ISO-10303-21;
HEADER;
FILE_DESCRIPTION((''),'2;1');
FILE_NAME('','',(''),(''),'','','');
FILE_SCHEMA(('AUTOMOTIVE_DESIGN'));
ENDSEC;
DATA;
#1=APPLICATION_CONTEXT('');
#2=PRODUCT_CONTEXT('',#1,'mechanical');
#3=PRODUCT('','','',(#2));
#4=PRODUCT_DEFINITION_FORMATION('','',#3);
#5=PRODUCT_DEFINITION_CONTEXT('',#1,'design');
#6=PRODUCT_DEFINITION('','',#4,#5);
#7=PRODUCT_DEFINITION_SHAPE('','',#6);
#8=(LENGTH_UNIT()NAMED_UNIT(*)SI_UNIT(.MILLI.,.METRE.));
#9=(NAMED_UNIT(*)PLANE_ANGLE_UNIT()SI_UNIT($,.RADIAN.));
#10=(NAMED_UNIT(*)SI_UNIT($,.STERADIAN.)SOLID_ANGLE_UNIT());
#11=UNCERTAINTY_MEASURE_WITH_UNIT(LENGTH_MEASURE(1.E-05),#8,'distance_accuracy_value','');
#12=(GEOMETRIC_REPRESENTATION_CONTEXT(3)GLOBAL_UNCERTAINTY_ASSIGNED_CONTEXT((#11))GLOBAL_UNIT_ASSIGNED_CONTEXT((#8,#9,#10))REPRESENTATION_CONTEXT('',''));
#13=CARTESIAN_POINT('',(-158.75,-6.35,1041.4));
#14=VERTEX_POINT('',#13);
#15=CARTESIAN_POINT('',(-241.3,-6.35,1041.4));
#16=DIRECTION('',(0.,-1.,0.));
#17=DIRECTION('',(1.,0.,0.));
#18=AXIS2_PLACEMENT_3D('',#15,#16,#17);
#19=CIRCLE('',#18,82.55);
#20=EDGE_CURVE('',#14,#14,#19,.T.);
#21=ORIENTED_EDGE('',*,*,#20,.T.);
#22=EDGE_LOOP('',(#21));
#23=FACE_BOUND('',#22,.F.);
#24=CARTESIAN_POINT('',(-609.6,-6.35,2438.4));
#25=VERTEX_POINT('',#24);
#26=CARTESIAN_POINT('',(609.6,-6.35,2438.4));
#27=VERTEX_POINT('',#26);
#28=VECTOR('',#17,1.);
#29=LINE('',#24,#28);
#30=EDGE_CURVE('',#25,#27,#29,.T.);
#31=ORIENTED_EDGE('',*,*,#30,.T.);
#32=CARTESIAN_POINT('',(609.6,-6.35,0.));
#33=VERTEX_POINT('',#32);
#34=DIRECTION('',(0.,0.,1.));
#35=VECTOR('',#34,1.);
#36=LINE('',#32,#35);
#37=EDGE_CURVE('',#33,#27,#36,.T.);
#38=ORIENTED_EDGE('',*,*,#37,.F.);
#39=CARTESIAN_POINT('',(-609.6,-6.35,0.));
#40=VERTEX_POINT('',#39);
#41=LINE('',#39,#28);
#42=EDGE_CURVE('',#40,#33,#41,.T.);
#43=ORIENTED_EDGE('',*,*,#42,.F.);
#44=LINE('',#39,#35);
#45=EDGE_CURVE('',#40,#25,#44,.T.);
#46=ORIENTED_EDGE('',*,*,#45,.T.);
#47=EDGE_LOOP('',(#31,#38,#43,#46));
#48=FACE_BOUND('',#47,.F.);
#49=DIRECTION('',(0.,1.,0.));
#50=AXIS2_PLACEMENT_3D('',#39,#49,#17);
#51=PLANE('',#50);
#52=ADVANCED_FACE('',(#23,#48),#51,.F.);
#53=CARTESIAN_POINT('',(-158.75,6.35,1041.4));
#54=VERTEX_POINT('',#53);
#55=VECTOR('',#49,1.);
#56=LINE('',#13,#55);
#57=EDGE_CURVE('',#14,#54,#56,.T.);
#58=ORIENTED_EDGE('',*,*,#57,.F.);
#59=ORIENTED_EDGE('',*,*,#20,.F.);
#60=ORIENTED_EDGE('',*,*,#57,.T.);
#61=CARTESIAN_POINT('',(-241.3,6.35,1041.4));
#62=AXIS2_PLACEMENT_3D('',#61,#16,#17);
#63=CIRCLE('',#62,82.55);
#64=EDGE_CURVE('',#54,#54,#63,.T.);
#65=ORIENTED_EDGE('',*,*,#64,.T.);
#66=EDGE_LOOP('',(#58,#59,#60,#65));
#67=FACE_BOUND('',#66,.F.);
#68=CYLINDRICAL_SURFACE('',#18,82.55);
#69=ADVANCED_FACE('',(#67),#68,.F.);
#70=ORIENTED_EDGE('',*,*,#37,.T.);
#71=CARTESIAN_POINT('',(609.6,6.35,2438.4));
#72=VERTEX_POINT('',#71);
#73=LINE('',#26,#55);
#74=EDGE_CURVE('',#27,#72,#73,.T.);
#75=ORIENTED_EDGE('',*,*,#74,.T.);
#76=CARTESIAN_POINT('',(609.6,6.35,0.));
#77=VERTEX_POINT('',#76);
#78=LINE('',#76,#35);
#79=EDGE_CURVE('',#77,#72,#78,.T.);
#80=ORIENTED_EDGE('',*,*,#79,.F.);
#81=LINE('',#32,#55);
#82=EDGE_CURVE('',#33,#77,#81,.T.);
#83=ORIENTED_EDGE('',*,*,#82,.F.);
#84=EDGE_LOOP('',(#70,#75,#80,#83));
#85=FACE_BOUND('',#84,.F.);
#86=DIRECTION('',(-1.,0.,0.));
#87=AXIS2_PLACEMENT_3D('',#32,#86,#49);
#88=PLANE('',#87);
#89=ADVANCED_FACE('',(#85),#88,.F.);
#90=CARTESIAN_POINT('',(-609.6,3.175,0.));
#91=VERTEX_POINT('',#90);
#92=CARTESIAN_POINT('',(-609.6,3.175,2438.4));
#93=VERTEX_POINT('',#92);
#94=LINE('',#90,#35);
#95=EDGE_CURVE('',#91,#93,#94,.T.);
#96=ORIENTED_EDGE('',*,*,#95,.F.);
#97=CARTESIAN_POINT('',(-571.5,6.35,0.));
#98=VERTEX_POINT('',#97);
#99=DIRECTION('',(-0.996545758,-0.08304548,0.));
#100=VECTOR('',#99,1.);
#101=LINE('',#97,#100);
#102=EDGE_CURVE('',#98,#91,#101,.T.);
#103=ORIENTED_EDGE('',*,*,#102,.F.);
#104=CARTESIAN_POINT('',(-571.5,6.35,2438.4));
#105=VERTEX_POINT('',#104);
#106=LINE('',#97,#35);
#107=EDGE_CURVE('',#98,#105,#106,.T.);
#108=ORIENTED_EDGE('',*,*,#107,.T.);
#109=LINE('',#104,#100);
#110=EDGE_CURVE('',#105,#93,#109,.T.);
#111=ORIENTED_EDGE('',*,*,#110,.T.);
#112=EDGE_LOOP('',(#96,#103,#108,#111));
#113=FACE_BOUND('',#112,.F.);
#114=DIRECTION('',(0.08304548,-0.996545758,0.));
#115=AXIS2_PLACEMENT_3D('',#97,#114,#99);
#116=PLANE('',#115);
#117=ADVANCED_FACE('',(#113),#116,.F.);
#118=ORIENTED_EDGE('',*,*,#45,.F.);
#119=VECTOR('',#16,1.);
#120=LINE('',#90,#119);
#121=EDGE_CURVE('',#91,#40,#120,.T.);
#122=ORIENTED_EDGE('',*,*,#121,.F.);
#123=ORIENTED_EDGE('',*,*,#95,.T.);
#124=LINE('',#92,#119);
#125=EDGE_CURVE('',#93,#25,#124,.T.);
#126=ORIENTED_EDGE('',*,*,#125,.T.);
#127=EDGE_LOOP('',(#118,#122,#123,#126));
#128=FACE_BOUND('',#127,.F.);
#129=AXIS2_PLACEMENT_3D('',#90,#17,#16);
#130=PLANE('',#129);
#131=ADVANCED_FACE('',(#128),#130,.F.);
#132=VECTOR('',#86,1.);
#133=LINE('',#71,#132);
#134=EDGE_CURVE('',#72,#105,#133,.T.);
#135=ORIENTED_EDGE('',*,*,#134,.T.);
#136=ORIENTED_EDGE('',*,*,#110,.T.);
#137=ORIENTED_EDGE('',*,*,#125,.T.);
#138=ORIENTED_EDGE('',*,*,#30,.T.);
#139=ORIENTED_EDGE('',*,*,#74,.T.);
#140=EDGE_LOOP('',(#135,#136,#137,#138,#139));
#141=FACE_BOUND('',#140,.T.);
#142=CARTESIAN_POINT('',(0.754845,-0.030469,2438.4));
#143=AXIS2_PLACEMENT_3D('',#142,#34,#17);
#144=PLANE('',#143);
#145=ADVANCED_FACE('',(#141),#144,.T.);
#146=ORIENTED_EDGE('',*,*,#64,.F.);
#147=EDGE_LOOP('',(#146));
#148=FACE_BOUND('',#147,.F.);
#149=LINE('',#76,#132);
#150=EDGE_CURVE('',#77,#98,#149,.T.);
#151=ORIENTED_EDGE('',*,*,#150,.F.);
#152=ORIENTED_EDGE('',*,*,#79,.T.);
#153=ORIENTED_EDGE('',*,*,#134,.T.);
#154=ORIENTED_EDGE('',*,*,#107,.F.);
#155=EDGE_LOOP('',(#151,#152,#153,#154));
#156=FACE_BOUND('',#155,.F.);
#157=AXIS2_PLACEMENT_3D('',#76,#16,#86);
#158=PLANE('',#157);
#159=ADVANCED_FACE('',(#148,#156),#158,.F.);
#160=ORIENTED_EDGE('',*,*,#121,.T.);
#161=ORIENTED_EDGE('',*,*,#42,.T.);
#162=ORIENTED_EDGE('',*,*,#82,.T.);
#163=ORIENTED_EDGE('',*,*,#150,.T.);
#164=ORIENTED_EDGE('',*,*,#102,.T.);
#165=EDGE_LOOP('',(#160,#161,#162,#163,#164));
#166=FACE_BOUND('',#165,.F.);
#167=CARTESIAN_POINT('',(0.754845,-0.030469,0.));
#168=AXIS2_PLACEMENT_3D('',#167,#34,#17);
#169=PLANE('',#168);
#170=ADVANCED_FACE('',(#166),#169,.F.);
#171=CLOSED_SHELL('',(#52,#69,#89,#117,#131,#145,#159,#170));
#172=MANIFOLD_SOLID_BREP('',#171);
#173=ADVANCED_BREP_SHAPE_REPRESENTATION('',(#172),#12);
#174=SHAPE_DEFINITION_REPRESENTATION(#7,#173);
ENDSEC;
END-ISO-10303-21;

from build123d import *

# Parameters (mm, degrees)
F1_DEPTH = 2438.4
F2_R     = 82.55
F3_DEPTH = 25.4


with BuildPart() as f1:
    # F0 (on Top) → F1 (new body)
    with BuildSketch(Plane.XY):
        Polygon((-609.6, 3.175), (-609.6, -6.35), (609.6, -6.35), (609.6, 6.35), (-571.5, 6.35), align=None)
    extrude(amount=F1_DEPTH)

    # F2 (on face) → F3 (cut)
    with BuildSketch(Plane.XZ.offset(6.35)):
        with Locations((-241.3, 1041.4)):
            Circle(F2_R)
    extrude(amount=-F3_DEPTH, mode=Mode.SUBTRACT)


solid = f1.part
